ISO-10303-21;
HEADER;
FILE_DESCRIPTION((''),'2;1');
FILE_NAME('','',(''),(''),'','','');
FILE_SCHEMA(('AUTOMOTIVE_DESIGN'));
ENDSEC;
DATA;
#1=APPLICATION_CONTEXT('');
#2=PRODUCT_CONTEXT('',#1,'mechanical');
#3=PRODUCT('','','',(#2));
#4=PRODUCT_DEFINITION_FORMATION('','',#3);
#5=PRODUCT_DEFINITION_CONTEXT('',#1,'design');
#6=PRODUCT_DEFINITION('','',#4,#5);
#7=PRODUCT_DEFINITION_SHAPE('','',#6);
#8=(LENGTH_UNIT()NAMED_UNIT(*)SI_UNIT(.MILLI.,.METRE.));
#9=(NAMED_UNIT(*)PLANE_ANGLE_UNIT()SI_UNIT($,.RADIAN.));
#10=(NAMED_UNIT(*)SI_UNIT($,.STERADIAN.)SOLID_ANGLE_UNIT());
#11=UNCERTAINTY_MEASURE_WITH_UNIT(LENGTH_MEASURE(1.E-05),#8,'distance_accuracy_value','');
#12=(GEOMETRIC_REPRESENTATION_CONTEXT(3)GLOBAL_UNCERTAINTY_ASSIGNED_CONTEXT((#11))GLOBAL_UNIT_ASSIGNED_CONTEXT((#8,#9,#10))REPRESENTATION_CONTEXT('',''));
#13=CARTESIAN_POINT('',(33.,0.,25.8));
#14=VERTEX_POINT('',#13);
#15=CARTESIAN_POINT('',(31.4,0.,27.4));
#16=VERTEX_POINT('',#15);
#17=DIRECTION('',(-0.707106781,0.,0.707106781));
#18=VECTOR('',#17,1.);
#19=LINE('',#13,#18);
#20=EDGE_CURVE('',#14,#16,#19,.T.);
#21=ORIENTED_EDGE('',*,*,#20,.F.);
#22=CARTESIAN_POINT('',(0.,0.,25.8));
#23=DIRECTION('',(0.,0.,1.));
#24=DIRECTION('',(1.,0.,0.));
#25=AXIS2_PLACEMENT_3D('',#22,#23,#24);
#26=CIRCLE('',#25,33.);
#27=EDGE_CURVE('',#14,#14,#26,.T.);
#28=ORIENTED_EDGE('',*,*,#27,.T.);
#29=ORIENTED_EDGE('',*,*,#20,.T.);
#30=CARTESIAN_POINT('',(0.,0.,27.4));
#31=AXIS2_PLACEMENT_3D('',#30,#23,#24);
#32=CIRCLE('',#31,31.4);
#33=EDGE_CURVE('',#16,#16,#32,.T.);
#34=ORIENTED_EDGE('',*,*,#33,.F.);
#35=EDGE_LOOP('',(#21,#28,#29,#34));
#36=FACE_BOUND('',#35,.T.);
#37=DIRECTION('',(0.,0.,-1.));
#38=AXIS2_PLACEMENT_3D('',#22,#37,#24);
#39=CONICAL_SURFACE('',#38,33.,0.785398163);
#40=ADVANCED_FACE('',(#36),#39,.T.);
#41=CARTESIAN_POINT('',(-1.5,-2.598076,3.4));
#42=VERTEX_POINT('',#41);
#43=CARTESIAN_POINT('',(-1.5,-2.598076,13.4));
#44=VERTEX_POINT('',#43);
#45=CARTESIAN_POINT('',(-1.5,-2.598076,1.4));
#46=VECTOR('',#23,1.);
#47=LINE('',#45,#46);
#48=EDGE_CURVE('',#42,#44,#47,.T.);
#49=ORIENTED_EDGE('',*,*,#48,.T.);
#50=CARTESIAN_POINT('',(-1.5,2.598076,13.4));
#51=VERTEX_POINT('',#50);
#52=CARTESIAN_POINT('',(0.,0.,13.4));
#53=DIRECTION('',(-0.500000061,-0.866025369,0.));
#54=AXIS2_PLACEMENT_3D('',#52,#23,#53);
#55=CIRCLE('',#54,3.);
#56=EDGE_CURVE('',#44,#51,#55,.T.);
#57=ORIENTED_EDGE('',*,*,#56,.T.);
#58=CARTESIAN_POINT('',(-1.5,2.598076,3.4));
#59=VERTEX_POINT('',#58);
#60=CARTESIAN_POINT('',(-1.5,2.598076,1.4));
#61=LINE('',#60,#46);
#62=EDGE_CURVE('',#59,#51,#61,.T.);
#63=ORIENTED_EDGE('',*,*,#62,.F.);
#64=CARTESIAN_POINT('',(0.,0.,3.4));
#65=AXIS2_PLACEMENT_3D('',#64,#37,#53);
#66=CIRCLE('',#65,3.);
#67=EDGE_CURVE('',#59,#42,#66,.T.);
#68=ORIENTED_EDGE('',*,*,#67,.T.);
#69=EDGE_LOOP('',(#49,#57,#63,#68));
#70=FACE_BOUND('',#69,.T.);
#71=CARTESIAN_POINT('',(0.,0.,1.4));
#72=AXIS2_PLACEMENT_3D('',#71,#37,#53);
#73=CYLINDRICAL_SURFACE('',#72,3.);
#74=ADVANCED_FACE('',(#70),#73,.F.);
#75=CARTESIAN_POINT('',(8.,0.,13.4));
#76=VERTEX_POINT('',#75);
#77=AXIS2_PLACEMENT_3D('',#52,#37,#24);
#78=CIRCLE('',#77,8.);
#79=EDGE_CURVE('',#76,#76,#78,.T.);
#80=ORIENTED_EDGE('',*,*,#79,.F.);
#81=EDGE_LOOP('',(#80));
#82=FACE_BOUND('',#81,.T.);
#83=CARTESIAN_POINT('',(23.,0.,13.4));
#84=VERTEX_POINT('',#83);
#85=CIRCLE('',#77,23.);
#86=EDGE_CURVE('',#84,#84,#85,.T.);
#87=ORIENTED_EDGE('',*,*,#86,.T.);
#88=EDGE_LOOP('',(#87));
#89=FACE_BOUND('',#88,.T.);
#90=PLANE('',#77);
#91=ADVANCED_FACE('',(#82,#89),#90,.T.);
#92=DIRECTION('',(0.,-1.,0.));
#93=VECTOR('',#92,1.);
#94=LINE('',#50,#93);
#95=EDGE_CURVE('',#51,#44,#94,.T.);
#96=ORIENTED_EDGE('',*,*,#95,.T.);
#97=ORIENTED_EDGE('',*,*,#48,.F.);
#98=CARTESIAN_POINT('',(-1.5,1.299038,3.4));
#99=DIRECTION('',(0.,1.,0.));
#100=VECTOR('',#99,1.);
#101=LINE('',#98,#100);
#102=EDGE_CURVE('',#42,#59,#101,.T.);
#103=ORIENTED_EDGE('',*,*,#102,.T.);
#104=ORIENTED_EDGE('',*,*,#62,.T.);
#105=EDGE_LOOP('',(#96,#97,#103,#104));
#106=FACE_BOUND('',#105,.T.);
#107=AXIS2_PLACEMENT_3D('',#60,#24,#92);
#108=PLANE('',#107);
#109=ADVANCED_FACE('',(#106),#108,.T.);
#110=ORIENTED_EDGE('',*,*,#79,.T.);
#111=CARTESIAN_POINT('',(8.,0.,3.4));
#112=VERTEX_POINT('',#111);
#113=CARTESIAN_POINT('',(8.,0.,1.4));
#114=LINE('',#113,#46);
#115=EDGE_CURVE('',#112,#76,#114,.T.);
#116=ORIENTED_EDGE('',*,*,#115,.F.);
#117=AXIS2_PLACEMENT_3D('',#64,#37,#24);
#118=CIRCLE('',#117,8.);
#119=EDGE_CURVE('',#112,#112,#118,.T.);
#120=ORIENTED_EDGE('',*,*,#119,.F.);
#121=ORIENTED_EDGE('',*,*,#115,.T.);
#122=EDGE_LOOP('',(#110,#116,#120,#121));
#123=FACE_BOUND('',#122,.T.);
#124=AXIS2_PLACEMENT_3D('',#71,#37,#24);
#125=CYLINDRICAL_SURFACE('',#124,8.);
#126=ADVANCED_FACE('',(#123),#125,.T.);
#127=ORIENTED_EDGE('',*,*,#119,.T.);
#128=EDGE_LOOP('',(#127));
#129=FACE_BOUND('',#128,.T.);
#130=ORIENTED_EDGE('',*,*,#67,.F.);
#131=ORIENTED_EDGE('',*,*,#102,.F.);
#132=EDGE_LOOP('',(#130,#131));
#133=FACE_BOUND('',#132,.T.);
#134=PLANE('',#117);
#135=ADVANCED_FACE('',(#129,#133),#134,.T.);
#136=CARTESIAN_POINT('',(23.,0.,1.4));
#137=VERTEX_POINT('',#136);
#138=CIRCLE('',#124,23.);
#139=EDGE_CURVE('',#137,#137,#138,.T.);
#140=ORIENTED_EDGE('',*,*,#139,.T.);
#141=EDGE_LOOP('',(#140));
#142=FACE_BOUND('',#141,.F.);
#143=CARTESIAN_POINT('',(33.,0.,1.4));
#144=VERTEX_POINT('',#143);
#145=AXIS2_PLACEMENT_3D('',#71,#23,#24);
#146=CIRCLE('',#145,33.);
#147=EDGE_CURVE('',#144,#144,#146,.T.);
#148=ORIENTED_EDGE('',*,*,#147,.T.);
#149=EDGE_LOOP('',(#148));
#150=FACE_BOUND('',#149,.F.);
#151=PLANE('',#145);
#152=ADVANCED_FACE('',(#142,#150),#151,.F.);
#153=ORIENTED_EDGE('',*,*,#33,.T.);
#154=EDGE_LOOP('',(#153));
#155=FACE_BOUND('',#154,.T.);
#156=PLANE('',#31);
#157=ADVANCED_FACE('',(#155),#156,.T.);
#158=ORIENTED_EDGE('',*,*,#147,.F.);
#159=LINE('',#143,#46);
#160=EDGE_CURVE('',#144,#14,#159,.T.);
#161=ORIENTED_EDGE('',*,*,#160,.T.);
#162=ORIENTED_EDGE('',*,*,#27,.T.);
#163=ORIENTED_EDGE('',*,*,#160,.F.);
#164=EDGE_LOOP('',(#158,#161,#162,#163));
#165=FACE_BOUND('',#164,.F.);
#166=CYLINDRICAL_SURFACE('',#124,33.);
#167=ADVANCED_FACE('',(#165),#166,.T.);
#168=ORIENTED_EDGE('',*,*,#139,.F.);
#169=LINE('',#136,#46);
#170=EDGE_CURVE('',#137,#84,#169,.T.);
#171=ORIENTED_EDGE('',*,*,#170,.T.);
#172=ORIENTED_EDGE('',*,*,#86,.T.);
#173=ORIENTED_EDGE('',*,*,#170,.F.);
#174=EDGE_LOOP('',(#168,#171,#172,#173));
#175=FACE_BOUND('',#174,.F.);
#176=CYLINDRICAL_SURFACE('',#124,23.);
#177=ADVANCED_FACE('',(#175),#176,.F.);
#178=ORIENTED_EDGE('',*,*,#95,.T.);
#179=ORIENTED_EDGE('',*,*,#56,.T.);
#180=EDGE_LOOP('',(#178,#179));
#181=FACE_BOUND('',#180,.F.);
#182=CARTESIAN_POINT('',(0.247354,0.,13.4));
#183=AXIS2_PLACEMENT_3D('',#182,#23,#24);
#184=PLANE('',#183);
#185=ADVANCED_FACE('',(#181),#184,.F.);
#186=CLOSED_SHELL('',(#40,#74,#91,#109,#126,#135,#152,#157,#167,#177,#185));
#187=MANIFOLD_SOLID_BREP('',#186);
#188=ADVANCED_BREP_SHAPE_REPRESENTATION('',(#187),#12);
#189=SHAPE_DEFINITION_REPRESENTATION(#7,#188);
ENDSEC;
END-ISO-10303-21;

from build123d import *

# Parameters (mm, degrees)
SKETCH_R        = 33
PAD_DEPTH       = 26
POCKET_DEPTH    = 12
SKETCH002_R     = 23
SKETCH002_R_2   = 8
POCKET001_DEPTH = 12
SKETCH003_R     = 8
POCKET002_DEPTH = 2
CHAMFER_SIZE    = 1.6


with BuildPart() as part:
    # Sketch → Pad (new body)
    with BuildSketch(Plane.XY):
        Circle(SKETCH_R)
    extrude(amount=PAD_DEPTH)

    # Sketch001 → Pocket (cut)
    with BuildSketch(Plane.XY):
        with BuildLine():
            ThreePointArc((-1.5, -2.598076), (3, 0), (-1.5, 2.598076))
            Line((-1.5, 2.598076), (-1.5, -2.598076))
        make_face()
    extrude(amount=POCKET_DEPTH, mode=Mode.SUBTRACT)

    # Sketch002 (on Face2 of Pad) → Pocket001 (cut)
    with BuildSketch(Plane(origin=(0, 0, 0), x_dir=(1, 0, 0), z_dir=(0, 0, -1))):
        Circle(SKETCH002_R)
        Circle(SKETCH002_R_2, mode=Mode.SUBTRACT)
    extrude(amount=-POCKET001_DEPTH, mode=Mode.SUBTRACT)

    # Sketch003 (on Face7 of Pocket001) → Pocket002 (cut)
    with BuildSketch(Plane(origin=(0, 0, 0), x_dir=(1, 0, 0), z_dir=(0, 0, -1))):
        Circle(SKETCH003_R)
    extrude(amount=-POCKET002_DEPTH, mode=Mode.SUBTRACT)

    # Chamfer
    chamfer_edges = [part.edges().sort_by_distance(p)[0] for p in [
        (-33, 0, 26),
    ]]
    chamfer(chamfer_edges, length=CHAMFER_SIZE)


with BuildPart() as part_1:
    # Body placement: moved
    add(part.part.moved(Location((0, 0, 1.4))))


solid = part_1.part
